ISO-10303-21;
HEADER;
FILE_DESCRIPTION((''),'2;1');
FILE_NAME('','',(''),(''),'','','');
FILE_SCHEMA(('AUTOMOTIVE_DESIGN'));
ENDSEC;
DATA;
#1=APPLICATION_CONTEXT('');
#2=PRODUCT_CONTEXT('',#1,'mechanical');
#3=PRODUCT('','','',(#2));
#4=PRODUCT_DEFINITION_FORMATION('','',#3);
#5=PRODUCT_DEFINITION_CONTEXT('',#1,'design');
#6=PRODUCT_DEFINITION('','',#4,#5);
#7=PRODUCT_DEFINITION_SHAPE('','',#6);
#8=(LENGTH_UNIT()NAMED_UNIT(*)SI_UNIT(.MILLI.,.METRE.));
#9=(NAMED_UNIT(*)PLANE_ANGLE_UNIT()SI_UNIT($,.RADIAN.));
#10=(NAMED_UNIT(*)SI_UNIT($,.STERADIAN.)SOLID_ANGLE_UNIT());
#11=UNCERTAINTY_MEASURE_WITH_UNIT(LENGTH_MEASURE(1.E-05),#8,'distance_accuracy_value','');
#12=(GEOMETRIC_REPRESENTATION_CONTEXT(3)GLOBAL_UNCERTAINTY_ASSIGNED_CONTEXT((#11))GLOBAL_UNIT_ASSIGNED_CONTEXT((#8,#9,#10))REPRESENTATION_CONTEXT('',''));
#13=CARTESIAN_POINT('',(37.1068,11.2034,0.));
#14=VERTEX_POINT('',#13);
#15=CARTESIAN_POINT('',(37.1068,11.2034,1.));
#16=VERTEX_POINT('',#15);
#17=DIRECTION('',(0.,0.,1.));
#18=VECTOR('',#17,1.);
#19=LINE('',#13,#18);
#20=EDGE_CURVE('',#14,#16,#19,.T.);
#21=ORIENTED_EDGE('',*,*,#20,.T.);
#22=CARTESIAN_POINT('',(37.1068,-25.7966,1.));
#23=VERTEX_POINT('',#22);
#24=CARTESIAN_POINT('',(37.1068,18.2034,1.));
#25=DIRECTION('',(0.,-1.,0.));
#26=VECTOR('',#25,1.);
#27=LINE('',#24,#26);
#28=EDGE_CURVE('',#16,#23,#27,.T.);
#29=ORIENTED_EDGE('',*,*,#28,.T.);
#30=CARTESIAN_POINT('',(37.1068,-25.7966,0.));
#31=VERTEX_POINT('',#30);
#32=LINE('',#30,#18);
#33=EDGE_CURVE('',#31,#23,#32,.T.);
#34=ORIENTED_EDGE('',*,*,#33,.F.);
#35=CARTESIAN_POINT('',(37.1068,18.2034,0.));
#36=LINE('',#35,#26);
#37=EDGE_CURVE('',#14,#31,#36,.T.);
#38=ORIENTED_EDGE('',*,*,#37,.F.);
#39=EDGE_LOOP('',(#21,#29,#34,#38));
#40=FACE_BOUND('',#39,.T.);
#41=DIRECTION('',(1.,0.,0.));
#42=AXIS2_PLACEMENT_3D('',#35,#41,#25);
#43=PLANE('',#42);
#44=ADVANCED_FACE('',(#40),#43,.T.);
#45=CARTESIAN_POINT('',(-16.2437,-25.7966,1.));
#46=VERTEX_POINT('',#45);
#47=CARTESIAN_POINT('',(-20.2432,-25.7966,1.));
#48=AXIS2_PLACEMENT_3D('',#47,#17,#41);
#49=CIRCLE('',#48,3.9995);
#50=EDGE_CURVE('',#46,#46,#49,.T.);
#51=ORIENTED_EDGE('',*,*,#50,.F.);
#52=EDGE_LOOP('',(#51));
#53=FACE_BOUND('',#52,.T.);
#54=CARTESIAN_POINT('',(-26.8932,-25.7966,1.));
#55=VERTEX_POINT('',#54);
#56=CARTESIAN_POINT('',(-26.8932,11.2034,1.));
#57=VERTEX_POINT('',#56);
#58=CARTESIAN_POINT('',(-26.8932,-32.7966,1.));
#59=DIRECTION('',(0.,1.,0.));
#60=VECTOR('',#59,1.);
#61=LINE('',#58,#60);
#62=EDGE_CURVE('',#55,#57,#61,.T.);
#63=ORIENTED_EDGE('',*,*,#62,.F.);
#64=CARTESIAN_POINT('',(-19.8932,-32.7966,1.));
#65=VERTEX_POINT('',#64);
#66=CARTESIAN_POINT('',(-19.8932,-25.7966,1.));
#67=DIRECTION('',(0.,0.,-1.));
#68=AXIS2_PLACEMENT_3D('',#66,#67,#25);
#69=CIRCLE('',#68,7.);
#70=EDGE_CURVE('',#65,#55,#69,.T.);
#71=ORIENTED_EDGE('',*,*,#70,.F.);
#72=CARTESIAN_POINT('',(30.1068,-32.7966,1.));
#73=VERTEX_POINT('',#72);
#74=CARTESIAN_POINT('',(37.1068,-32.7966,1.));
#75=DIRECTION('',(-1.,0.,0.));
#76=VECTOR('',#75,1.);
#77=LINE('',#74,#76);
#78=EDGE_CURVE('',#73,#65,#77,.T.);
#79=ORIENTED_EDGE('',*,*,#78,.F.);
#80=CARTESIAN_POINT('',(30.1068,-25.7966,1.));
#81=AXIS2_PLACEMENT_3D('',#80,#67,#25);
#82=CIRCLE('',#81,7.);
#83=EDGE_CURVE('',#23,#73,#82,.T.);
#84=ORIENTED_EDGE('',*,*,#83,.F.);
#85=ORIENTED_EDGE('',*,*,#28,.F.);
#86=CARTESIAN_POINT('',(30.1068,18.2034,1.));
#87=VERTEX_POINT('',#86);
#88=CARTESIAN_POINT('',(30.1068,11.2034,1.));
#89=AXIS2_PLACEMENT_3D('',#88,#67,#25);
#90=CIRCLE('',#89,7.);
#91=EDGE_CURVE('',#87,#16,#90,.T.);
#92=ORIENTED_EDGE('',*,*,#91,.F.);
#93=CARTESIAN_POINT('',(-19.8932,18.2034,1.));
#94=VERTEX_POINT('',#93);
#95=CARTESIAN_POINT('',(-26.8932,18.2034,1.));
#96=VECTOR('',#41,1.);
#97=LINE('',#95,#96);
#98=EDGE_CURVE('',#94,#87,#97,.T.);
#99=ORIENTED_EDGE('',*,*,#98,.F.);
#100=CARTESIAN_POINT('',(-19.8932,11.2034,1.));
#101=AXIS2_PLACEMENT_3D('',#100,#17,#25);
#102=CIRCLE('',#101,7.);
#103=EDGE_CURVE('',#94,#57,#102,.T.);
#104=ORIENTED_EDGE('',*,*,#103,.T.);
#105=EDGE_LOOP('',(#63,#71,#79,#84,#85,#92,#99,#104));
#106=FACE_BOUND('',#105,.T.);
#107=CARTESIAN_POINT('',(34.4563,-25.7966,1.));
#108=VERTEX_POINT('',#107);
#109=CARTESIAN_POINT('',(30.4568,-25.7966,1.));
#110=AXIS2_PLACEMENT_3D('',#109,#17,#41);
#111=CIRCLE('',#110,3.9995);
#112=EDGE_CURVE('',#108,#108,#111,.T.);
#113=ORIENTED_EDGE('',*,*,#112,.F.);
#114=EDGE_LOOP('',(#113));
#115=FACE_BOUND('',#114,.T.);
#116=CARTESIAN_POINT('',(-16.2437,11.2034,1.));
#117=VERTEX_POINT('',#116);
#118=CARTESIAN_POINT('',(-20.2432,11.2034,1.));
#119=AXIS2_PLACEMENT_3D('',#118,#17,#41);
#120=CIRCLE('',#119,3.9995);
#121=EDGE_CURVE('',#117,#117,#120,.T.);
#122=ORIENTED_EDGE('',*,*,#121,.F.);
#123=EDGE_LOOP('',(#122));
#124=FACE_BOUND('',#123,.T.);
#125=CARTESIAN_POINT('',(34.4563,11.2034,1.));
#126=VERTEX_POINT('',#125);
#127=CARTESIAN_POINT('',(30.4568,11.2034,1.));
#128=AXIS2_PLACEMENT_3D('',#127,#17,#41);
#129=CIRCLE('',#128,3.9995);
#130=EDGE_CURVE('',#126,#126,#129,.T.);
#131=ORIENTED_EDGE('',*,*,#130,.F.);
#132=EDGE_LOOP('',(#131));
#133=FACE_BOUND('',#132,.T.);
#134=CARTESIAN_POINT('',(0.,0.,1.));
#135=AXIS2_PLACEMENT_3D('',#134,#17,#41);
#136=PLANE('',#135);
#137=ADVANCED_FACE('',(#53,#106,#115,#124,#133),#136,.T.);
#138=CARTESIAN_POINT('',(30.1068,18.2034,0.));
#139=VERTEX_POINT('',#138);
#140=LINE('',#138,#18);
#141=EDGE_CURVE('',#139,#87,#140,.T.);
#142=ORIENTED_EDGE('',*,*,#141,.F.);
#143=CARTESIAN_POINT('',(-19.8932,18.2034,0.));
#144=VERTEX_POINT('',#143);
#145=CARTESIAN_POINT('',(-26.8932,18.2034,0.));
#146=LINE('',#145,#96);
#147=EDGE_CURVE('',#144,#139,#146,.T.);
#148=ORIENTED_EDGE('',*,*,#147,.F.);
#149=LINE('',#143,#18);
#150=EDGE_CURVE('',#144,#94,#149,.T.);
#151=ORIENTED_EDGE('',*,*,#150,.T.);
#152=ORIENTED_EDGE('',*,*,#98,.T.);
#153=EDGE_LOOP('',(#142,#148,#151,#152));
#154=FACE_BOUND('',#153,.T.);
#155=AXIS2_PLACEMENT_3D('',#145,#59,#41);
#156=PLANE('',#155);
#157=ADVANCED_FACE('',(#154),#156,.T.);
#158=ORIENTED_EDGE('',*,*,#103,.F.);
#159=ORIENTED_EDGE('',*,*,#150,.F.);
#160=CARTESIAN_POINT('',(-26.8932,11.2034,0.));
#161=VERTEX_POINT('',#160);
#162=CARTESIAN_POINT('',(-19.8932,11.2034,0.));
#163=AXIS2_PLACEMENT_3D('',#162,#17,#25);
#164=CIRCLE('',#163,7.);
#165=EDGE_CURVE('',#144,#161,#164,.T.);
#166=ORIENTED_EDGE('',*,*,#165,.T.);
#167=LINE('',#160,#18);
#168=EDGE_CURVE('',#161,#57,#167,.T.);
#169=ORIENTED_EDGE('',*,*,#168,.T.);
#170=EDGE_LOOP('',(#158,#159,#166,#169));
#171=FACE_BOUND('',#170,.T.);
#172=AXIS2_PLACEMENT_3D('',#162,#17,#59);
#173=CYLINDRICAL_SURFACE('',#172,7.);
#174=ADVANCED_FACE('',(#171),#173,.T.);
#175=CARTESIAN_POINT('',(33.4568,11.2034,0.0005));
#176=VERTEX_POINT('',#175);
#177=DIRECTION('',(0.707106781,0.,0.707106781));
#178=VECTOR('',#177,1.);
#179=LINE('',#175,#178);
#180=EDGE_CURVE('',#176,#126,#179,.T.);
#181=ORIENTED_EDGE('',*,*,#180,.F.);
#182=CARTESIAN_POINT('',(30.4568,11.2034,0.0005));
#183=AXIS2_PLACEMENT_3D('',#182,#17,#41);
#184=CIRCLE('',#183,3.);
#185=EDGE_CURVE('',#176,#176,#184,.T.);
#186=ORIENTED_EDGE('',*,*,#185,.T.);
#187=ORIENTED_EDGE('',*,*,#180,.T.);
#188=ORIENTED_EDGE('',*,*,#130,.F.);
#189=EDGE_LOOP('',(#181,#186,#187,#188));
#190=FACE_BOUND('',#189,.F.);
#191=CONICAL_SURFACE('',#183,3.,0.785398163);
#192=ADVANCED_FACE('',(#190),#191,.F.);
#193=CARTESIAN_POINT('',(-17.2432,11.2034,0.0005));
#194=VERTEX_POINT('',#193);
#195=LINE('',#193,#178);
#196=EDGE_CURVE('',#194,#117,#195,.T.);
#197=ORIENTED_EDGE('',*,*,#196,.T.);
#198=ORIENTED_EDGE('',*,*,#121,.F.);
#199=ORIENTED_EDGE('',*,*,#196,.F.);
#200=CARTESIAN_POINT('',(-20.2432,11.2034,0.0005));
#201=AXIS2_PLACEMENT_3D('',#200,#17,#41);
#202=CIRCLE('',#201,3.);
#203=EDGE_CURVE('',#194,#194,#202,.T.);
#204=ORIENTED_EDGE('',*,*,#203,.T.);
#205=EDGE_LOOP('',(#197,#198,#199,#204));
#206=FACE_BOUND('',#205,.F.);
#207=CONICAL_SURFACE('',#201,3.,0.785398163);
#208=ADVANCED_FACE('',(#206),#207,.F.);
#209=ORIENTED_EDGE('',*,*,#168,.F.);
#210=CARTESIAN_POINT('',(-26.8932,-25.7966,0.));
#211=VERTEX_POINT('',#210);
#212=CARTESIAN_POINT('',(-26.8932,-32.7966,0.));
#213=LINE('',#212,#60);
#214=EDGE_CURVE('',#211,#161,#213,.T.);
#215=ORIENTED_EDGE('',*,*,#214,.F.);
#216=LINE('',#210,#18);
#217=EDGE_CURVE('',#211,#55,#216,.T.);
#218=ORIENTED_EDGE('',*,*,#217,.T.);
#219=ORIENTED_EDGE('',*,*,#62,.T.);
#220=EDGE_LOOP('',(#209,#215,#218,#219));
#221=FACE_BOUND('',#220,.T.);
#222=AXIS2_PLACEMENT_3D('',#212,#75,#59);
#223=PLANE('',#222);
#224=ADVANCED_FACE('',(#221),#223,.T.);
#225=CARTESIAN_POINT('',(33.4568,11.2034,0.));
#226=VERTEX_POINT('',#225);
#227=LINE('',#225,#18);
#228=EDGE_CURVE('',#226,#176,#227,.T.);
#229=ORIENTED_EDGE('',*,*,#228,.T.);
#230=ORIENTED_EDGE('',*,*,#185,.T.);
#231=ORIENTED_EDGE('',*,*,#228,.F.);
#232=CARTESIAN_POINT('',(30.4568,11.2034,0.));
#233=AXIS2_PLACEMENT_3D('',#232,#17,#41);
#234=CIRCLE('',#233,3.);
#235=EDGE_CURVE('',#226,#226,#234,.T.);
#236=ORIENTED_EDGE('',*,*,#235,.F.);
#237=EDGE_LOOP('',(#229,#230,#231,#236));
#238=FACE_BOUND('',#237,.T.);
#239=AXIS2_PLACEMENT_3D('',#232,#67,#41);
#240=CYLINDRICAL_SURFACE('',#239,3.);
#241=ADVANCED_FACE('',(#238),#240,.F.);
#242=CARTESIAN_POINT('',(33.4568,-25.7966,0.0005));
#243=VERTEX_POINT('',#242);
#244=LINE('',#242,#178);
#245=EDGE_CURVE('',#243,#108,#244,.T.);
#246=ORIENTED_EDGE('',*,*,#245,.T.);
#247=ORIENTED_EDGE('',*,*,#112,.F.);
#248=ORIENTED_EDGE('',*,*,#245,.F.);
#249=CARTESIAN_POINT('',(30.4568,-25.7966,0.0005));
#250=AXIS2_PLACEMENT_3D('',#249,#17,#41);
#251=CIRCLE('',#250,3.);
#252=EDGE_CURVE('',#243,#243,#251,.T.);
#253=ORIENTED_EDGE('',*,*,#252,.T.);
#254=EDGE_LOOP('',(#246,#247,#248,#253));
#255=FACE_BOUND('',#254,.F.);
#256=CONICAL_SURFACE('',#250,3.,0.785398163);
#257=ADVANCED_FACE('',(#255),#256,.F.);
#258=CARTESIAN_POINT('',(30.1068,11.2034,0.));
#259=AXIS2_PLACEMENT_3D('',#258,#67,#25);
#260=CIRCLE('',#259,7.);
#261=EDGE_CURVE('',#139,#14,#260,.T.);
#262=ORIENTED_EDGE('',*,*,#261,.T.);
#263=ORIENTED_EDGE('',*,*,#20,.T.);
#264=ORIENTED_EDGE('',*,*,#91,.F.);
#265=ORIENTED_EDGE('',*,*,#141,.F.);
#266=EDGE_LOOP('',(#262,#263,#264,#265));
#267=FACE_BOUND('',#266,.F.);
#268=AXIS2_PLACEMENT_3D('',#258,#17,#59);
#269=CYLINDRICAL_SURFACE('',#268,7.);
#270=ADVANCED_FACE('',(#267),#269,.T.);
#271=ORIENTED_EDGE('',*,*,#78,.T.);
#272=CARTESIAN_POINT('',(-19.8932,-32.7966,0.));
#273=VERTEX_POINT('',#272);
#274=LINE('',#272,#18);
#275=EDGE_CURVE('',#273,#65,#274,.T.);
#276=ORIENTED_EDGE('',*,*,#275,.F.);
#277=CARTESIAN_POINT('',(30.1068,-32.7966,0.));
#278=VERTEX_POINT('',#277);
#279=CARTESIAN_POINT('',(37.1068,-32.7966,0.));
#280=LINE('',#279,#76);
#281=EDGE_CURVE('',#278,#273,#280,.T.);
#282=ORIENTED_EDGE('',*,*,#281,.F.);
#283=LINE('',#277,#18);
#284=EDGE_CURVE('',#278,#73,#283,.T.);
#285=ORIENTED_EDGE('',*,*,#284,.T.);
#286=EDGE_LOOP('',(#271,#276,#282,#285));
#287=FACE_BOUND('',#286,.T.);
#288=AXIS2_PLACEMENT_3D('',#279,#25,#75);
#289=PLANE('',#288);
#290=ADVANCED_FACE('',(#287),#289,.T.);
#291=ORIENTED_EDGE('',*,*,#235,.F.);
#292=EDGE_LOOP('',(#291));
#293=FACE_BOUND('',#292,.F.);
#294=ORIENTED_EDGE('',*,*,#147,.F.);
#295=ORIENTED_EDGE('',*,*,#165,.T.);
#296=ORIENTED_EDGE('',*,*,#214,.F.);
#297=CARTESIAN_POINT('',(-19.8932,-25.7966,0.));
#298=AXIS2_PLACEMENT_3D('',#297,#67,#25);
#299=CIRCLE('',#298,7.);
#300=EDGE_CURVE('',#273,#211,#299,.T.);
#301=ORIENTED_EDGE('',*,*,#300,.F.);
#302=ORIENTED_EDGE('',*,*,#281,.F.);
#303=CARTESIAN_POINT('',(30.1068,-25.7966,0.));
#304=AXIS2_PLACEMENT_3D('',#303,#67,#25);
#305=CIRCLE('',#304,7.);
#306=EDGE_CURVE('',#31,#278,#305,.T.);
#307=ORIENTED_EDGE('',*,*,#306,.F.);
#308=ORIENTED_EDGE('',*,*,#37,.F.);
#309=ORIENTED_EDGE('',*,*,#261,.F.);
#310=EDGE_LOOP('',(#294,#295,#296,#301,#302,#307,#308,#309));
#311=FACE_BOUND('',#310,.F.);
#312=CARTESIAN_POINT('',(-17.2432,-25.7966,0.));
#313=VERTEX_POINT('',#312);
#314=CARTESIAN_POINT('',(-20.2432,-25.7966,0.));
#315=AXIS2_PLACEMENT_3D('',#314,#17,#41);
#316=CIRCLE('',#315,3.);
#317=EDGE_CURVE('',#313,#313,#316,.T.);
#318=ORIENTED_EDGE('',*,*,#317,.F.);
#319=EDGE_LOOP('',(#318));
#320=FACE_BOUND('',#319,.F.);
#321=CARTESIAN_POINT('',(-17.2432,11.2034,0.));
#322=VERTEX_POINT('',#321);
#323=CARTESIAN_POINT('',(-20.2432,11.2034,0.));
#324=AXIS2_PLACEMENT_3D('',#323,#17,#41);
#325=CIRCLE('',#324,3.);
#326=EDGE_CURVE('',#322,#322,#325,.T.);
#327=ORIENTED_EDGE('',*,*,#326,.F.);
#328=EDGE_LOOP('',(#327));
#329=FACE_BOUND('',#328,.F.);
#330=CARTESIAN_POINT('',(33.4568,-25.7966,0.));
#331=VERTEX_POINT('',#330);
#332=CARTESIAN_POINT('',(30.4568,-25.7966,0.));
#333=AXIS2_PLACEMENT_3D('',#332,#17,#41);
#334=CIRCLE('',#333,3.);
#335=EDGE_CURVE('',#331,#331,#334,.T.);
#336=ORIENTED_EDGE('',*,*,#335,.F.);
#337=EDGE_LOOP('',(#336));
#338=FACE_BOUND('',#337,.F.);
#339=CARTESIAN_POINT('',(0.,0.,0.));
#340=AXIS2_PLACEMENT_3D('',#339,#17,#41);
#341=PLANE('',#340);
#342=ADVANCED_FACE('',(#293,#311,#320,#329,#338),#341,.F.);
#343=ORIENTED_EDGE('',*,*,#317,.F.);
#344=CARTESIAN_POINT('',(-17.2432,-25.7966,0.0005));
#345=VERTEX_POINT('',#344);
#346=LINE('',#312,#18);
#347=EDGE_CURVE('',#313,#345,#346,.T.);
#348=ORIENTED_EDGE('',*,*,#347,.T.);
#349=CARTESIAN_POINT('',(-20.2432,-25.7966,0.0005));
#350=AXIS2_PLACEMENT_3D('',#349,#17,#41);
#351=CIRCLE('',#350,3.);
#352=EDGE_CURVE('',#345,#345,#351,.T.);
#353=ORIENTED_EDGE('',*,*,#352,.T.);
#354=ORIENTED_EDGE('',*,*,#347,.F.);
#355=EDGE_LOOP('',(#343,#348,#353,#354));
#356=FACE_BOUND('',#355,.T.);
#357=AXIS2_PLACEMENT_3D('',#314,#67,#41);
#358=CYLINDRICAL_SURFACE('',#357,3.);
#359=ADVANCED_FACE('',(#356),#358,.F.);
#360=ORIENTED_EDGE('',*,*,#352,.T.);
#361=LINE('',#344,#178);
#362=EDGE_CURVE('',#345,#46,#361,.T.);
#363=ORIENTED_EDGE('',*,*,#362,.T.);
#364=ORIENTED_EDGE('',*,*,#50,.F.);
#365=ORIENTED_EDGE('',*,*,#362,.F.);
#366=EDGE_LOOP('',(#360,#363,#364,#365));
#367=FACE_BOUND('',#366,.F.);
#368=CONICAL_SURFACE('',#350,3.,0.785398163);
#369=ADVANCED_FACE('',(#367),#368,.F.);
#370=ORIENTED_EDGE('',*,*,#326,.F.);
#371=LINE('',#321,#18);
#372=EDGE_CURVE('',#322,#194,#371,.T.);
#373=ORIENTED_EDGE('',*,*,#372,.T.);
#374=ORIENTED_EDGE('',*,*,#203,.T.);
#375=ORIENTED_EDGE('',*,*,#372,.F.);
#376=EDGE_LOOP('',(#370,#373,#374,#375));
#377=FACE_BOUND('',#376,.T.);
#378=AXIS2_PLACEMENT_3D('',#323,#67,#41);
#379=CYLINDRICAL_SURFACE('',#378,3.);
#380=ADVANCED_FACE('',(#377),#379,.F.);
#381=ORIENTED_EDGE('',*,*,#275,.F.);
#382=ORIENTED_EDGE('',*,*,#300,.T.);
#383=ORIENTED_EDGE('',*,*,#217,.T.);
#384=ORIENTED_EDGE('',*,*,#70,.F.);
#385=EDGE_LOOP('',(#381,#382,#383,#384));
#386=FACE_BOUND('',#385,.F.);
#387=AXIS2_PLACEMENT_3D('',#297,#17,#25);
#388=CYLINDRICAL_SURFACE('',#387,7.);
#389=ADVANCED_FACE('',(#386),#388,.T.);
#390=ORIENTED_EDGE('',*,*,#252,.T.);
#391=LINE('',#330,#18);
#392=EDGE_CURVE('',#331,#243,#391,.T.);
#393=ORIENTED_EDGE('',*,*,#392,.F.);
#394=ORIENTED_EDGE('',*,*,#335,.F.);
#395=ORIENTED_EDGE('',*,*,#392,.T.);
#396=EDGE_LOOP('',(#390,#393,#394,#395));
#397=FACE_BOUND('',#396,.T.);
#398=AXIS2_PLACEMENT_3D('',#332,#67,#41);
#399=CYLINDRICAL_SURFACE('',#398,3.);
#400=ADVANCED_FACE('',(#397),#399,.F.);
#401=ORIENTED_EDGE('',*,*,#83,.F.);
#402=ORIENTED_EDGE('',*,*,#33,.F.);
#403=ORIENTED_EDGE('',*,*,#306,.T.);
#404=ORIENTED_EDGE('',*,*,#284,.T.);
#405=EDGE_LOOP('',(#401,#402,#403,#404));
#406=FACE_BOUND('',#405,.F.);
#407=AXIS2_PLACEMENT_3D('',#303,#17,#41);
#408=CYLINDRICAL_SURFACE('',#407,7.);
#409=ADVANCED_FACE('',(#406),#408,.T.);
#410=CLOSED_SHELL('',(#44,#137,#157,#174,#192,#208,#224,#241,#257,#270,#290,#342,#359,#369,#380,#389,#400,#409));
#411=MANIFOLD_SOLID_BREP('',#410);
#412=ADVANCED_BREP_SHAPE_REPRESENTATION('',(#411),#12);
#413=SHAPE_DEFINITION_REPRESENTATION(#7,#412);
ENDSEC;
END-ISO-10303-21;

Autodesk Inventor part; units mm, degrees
ref_plane "YZ Plane" through (0, 0, 0) normal (1, 0, 0) x (0, 1, 0)
ref_plane "XZ Plane" through (0, 0, 0) normal (0, 1, 0) x (-1, 0, 0)
ref_plane "XY Plane" through (0, 0, 0) normal (0, 0, 1) x (1, 0, 0)
sketch "Esboço1" plane through (0, 0, 0) normal (0, 0, 1) x (1, 0, 0)
  line L0 (-26.8932, 18.2034) -> (37.1068, 18.2034)
  line L1 (37.1068, 18.2034) -> (37.1068, -32.7966)
  line L2 (37.1068, -32.7966) -> (-26.8932, -32.7966)
  line L3 (-26.8932, -32.7966) -> (-26.8932, 18.2034)
  circle A0 centre (-20.2432, 11.2034) radius 3
  circle A1 centre (-20.2432, -25.7966) radius 3
  circle A2 centre (30.4568, -25.7966) radius 3
  circle A3 centre (30.4568, 11.2034) radius 3
  dimension "d9" = 64
  dimension "d10" = 51
  dimension "d15" = 6
  dimension "d16" = 6
  dimension "d17" = 6
  dimension "d18" = 6
  dimension "d26" = 50.7
  dimension "d27" = 37
  dimension "d28" = 50.7
  dimension "d29" = 37
  dimension "d31" = 6.65
  dimension "d33" = 6.65
  dimension "d34" = 7
  dimension "d36" = 7
  dimension "d37" = 7
  dimension "d38" = 7
extrude "Extrusão1" add sketch "Esboço1" along normal blind 1
chamfer "Chanfro1" distance 1 angle 45 4 edges at (-23.2432, -25.7966, 1) (-23.2432, 11.2034, 1) (27.4568, 11.2034, 1) (27.4568, -25.7966, 1)
fillet "Arredondamento2" radius 7 4 edges at (-26.8932, -32.7966, 0.5) (37.1068, -32.7966, 0.5) (37.1068, 18.2034, 0.5) (-26.8932, 18.2034, 0.5)
properties part number "alguma parte da guitarra"
